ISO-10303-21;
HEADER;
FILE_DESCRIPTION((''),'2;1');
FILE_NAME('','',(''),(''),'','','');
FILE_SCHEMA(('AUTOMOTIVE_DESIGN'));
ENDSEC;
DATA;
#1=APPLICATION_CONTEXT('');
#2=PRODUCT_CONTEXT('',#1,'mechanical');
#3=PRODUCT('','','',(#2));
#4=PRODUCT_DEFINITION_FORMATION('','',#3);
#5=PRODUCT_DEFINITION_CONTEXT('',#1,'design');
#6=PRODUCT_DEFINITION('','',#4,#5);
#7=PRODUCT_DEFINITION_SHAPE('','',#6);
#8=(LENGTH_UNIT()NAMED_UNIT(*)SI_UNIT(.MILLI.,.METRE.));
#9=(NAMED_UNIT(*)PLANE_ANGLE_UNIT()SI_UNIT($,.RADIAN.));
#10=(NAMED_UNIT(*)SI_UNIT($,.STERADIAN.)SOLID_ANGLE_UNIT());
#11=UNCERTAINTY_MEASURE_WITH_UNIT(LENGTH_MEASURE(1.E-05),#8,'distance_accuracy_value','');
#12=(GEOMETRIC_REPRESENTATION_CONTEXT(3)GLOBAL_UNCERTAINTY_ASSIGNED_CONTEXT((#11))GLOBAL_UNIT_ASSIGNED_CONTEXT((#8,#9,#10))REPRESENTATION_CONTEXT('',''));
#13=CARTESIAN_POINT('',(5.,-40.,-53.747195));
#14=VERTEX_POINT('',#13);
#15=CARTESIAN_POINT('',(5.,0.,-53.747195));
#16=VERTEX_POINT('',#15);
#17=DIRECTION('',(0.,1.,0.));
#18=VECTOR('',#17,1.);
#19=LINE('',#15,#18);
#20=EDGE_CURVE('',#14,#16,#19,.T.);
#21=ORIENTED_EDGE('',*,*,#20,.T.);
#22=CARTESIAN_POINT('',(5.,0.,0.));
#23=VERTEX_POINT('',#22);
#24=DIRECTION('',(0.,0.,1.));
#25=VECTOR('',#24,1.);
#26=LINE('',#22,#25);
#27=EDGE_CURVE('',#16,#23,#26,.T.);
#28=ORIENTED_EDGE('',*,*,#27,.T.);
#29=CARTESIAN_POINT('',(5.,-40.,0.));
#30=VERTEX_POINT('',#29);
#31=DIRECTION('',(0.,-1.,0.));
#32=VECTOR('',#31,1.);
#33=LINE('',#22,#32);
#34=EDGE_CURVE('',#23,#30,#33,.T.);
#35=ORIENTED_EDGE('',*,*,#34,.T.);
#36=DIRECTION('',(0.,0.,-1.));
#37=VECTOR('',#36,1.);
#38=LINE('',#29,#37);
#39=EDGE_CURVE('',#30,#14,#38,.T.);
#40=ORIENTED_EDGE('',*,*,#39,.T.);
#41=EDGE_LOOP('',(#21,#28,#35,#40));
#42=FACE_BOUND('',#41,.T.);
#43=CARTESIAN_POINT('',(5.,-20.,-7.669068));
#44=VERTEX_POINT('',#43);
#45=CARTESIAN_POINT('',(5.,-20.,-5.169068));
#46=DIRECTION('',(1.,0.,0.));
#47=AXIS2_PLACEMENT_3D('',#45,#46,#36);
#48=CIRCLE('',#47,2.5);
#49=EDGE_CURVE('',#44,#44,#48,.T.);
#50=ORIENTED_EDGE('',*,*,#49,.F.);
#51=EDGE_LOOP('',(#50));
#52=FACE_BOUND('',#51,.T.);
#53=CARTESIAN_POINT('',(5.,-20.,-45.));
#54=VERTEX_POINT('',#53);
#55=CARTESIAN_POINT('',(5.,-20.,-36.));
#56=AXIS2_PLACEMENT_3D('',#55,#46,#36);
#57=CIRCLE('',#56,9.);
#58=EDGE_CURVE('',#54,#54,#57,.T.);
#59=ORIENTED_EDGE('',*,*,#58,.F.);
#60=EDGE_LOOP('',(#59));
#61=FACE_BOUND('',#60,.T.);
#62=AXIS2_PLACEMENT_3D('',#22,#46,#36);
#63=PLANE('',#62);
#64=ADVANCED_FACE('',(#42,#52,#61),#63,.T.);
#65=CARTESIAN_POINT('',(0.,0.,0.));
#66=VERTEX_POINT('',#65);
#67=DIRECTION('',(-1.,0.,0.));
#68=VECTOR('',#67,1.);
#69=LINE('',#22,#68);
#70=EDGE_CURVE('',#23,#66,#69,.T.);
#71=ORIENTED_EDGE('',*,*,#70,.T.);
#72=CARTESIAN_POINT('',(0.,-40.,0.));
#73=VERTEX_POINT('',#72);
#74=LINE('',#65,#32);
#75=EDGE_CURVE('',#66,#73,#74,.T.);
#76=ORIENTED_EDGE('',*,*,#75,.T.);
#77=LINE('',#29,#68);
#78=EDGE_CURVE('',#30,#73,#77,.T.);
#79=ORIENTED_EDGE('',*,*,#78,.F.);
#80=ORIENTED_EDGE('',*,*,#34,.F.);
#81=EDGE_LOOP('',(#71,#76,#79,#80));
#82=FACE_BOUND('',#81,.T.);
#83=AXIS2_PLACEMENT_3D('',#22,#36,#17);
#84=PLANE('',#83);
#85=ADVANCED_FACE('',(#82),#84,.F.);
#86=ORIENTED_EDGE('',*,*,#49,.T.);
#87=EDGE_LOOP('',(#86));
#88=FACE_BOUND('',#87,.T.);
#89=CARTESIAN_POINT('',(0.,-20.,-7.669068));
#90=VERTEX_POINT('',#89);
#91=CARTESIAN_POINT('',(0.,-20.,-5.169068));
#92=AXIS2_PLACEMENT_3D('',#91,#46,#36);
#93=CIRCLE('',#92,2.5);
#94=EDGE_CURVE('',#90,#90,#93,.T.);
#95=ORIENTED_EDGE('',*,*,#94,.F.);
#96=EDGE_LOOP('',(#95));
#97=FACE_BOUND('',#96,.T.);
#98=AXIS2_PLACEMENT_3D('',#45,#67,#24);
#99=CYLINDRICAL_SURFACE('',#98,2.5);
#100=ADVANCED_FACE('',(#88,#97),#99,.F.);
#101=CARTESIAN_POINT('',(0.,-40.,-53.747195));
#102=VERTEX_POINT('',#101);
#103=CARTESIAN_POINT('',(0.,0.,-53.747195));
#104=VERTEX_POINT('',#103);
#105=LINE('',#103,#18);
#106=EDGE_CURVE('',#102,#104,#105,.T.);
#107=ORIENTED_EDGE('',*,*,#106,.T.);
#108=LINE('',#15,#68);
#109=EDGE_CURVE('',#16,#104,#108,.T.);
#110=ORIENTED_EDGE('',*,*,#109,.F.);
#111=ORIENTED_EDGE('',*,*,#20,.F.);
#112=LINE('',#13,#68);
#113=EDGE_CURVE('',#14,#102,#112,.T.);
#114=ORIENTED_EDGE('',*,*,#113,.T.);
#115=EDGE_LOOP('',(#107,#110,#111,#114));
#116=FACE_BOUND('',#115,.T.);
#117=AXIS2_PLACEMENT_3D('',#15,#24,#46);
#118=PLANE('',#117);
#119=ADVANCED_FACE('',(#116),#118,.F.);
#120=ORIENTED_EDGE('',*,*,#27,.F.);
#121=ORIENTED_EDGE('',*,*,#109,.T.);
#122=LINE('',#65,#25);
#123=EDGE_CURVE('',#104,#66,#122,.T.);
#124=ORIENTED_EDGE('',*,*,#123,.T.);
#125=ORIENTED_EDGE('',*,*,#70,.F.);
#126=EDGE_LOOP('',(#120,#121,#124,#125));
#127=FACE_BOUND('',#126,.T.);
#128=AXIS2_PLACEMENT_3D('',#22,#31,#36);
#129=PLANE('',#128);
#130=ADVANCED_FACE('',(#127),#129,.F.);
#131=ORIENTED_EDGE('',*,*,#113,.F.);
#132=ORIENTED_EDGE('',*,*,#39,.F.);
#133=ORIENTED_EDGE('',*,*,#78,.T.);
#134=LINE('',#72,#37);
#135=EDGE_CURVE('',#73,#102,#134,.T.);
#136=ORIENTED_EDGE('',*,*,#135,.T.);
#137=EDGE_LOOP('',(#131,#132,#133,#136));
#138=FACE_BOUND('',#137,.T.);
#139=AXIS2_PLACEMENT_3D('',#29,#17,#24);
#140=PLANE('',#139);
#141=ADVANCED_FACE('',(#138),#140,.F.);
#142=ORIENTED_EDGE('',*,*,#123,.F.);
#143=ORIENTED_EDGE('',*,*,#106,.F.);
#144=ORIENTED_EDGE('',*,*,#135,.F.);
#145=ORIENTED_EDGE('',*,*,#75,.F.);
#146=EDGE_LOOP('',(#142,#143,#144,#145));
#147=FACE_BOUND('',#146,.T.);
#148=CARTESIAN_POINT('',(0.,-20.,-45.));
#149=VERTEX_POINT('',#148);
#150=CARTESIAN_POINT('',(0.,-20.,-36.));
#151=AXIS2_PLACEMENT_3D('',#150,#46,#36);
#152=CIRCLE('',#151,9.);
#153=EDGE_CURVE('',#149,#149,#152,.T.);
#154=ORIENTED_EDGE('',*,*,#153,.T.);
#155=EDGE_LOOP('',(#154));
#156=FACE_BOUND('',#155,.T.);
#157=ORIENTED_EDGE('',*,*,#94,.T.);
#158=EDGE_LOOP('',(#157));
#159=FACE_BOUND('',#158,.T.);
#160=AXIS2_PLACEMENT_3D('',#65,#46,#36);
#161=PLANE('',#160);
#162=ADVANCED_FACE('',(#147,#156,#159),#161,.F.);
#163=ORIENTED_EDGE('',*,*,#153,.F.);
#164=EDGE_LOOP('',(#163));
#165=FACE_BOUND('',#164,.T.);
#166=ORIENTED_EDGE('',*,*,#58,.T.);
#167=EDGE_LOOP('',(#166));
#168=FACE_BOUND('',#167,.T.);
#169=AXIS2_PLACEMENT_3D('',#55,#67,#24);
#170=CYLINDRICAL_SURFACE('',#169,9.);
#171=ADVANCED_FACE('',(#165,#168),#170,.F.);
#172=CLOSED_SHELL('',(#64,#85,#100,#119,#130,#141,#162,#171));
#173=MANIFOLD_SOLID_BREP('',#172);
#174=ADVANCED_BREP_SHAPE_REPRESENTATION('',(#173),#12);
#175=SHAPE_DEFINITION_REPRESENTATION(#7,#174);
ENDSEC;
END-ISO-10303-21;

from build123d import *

# Parameters (mm, degrees)
SKETCH1_W           = 53.747195152
SKETCH1_H           = 40
SKETCH1_R           = 9
SKETCH1_R_2         = 2.5
BOSS_EXTRUDE1_DEPTH = 5


with BuildPart() as part:
    # Sketch1 → Boss-Extrude1 (new body)
    with BuildSketch(Plane(origin=(0, 0, 0), x_dir=(0, 0, -1), z_dir=(1, 0, 0))):
        with Locations((26.873597576, -20)):
            Rectangle(SKETCH1_W, SKETCH1_H)
        with Locations((36, -20)):
            Circle(SKETCH1_R, mode=Mode.SUBTRACT)
        with Locations((5.169067962, -20)):
            Circle(SKETCH1_R_2, mode=Mode.SUBTRACT)
    extrude(amount=BOSS_EXTRUDE1_DEPTH)


solid = part.part
